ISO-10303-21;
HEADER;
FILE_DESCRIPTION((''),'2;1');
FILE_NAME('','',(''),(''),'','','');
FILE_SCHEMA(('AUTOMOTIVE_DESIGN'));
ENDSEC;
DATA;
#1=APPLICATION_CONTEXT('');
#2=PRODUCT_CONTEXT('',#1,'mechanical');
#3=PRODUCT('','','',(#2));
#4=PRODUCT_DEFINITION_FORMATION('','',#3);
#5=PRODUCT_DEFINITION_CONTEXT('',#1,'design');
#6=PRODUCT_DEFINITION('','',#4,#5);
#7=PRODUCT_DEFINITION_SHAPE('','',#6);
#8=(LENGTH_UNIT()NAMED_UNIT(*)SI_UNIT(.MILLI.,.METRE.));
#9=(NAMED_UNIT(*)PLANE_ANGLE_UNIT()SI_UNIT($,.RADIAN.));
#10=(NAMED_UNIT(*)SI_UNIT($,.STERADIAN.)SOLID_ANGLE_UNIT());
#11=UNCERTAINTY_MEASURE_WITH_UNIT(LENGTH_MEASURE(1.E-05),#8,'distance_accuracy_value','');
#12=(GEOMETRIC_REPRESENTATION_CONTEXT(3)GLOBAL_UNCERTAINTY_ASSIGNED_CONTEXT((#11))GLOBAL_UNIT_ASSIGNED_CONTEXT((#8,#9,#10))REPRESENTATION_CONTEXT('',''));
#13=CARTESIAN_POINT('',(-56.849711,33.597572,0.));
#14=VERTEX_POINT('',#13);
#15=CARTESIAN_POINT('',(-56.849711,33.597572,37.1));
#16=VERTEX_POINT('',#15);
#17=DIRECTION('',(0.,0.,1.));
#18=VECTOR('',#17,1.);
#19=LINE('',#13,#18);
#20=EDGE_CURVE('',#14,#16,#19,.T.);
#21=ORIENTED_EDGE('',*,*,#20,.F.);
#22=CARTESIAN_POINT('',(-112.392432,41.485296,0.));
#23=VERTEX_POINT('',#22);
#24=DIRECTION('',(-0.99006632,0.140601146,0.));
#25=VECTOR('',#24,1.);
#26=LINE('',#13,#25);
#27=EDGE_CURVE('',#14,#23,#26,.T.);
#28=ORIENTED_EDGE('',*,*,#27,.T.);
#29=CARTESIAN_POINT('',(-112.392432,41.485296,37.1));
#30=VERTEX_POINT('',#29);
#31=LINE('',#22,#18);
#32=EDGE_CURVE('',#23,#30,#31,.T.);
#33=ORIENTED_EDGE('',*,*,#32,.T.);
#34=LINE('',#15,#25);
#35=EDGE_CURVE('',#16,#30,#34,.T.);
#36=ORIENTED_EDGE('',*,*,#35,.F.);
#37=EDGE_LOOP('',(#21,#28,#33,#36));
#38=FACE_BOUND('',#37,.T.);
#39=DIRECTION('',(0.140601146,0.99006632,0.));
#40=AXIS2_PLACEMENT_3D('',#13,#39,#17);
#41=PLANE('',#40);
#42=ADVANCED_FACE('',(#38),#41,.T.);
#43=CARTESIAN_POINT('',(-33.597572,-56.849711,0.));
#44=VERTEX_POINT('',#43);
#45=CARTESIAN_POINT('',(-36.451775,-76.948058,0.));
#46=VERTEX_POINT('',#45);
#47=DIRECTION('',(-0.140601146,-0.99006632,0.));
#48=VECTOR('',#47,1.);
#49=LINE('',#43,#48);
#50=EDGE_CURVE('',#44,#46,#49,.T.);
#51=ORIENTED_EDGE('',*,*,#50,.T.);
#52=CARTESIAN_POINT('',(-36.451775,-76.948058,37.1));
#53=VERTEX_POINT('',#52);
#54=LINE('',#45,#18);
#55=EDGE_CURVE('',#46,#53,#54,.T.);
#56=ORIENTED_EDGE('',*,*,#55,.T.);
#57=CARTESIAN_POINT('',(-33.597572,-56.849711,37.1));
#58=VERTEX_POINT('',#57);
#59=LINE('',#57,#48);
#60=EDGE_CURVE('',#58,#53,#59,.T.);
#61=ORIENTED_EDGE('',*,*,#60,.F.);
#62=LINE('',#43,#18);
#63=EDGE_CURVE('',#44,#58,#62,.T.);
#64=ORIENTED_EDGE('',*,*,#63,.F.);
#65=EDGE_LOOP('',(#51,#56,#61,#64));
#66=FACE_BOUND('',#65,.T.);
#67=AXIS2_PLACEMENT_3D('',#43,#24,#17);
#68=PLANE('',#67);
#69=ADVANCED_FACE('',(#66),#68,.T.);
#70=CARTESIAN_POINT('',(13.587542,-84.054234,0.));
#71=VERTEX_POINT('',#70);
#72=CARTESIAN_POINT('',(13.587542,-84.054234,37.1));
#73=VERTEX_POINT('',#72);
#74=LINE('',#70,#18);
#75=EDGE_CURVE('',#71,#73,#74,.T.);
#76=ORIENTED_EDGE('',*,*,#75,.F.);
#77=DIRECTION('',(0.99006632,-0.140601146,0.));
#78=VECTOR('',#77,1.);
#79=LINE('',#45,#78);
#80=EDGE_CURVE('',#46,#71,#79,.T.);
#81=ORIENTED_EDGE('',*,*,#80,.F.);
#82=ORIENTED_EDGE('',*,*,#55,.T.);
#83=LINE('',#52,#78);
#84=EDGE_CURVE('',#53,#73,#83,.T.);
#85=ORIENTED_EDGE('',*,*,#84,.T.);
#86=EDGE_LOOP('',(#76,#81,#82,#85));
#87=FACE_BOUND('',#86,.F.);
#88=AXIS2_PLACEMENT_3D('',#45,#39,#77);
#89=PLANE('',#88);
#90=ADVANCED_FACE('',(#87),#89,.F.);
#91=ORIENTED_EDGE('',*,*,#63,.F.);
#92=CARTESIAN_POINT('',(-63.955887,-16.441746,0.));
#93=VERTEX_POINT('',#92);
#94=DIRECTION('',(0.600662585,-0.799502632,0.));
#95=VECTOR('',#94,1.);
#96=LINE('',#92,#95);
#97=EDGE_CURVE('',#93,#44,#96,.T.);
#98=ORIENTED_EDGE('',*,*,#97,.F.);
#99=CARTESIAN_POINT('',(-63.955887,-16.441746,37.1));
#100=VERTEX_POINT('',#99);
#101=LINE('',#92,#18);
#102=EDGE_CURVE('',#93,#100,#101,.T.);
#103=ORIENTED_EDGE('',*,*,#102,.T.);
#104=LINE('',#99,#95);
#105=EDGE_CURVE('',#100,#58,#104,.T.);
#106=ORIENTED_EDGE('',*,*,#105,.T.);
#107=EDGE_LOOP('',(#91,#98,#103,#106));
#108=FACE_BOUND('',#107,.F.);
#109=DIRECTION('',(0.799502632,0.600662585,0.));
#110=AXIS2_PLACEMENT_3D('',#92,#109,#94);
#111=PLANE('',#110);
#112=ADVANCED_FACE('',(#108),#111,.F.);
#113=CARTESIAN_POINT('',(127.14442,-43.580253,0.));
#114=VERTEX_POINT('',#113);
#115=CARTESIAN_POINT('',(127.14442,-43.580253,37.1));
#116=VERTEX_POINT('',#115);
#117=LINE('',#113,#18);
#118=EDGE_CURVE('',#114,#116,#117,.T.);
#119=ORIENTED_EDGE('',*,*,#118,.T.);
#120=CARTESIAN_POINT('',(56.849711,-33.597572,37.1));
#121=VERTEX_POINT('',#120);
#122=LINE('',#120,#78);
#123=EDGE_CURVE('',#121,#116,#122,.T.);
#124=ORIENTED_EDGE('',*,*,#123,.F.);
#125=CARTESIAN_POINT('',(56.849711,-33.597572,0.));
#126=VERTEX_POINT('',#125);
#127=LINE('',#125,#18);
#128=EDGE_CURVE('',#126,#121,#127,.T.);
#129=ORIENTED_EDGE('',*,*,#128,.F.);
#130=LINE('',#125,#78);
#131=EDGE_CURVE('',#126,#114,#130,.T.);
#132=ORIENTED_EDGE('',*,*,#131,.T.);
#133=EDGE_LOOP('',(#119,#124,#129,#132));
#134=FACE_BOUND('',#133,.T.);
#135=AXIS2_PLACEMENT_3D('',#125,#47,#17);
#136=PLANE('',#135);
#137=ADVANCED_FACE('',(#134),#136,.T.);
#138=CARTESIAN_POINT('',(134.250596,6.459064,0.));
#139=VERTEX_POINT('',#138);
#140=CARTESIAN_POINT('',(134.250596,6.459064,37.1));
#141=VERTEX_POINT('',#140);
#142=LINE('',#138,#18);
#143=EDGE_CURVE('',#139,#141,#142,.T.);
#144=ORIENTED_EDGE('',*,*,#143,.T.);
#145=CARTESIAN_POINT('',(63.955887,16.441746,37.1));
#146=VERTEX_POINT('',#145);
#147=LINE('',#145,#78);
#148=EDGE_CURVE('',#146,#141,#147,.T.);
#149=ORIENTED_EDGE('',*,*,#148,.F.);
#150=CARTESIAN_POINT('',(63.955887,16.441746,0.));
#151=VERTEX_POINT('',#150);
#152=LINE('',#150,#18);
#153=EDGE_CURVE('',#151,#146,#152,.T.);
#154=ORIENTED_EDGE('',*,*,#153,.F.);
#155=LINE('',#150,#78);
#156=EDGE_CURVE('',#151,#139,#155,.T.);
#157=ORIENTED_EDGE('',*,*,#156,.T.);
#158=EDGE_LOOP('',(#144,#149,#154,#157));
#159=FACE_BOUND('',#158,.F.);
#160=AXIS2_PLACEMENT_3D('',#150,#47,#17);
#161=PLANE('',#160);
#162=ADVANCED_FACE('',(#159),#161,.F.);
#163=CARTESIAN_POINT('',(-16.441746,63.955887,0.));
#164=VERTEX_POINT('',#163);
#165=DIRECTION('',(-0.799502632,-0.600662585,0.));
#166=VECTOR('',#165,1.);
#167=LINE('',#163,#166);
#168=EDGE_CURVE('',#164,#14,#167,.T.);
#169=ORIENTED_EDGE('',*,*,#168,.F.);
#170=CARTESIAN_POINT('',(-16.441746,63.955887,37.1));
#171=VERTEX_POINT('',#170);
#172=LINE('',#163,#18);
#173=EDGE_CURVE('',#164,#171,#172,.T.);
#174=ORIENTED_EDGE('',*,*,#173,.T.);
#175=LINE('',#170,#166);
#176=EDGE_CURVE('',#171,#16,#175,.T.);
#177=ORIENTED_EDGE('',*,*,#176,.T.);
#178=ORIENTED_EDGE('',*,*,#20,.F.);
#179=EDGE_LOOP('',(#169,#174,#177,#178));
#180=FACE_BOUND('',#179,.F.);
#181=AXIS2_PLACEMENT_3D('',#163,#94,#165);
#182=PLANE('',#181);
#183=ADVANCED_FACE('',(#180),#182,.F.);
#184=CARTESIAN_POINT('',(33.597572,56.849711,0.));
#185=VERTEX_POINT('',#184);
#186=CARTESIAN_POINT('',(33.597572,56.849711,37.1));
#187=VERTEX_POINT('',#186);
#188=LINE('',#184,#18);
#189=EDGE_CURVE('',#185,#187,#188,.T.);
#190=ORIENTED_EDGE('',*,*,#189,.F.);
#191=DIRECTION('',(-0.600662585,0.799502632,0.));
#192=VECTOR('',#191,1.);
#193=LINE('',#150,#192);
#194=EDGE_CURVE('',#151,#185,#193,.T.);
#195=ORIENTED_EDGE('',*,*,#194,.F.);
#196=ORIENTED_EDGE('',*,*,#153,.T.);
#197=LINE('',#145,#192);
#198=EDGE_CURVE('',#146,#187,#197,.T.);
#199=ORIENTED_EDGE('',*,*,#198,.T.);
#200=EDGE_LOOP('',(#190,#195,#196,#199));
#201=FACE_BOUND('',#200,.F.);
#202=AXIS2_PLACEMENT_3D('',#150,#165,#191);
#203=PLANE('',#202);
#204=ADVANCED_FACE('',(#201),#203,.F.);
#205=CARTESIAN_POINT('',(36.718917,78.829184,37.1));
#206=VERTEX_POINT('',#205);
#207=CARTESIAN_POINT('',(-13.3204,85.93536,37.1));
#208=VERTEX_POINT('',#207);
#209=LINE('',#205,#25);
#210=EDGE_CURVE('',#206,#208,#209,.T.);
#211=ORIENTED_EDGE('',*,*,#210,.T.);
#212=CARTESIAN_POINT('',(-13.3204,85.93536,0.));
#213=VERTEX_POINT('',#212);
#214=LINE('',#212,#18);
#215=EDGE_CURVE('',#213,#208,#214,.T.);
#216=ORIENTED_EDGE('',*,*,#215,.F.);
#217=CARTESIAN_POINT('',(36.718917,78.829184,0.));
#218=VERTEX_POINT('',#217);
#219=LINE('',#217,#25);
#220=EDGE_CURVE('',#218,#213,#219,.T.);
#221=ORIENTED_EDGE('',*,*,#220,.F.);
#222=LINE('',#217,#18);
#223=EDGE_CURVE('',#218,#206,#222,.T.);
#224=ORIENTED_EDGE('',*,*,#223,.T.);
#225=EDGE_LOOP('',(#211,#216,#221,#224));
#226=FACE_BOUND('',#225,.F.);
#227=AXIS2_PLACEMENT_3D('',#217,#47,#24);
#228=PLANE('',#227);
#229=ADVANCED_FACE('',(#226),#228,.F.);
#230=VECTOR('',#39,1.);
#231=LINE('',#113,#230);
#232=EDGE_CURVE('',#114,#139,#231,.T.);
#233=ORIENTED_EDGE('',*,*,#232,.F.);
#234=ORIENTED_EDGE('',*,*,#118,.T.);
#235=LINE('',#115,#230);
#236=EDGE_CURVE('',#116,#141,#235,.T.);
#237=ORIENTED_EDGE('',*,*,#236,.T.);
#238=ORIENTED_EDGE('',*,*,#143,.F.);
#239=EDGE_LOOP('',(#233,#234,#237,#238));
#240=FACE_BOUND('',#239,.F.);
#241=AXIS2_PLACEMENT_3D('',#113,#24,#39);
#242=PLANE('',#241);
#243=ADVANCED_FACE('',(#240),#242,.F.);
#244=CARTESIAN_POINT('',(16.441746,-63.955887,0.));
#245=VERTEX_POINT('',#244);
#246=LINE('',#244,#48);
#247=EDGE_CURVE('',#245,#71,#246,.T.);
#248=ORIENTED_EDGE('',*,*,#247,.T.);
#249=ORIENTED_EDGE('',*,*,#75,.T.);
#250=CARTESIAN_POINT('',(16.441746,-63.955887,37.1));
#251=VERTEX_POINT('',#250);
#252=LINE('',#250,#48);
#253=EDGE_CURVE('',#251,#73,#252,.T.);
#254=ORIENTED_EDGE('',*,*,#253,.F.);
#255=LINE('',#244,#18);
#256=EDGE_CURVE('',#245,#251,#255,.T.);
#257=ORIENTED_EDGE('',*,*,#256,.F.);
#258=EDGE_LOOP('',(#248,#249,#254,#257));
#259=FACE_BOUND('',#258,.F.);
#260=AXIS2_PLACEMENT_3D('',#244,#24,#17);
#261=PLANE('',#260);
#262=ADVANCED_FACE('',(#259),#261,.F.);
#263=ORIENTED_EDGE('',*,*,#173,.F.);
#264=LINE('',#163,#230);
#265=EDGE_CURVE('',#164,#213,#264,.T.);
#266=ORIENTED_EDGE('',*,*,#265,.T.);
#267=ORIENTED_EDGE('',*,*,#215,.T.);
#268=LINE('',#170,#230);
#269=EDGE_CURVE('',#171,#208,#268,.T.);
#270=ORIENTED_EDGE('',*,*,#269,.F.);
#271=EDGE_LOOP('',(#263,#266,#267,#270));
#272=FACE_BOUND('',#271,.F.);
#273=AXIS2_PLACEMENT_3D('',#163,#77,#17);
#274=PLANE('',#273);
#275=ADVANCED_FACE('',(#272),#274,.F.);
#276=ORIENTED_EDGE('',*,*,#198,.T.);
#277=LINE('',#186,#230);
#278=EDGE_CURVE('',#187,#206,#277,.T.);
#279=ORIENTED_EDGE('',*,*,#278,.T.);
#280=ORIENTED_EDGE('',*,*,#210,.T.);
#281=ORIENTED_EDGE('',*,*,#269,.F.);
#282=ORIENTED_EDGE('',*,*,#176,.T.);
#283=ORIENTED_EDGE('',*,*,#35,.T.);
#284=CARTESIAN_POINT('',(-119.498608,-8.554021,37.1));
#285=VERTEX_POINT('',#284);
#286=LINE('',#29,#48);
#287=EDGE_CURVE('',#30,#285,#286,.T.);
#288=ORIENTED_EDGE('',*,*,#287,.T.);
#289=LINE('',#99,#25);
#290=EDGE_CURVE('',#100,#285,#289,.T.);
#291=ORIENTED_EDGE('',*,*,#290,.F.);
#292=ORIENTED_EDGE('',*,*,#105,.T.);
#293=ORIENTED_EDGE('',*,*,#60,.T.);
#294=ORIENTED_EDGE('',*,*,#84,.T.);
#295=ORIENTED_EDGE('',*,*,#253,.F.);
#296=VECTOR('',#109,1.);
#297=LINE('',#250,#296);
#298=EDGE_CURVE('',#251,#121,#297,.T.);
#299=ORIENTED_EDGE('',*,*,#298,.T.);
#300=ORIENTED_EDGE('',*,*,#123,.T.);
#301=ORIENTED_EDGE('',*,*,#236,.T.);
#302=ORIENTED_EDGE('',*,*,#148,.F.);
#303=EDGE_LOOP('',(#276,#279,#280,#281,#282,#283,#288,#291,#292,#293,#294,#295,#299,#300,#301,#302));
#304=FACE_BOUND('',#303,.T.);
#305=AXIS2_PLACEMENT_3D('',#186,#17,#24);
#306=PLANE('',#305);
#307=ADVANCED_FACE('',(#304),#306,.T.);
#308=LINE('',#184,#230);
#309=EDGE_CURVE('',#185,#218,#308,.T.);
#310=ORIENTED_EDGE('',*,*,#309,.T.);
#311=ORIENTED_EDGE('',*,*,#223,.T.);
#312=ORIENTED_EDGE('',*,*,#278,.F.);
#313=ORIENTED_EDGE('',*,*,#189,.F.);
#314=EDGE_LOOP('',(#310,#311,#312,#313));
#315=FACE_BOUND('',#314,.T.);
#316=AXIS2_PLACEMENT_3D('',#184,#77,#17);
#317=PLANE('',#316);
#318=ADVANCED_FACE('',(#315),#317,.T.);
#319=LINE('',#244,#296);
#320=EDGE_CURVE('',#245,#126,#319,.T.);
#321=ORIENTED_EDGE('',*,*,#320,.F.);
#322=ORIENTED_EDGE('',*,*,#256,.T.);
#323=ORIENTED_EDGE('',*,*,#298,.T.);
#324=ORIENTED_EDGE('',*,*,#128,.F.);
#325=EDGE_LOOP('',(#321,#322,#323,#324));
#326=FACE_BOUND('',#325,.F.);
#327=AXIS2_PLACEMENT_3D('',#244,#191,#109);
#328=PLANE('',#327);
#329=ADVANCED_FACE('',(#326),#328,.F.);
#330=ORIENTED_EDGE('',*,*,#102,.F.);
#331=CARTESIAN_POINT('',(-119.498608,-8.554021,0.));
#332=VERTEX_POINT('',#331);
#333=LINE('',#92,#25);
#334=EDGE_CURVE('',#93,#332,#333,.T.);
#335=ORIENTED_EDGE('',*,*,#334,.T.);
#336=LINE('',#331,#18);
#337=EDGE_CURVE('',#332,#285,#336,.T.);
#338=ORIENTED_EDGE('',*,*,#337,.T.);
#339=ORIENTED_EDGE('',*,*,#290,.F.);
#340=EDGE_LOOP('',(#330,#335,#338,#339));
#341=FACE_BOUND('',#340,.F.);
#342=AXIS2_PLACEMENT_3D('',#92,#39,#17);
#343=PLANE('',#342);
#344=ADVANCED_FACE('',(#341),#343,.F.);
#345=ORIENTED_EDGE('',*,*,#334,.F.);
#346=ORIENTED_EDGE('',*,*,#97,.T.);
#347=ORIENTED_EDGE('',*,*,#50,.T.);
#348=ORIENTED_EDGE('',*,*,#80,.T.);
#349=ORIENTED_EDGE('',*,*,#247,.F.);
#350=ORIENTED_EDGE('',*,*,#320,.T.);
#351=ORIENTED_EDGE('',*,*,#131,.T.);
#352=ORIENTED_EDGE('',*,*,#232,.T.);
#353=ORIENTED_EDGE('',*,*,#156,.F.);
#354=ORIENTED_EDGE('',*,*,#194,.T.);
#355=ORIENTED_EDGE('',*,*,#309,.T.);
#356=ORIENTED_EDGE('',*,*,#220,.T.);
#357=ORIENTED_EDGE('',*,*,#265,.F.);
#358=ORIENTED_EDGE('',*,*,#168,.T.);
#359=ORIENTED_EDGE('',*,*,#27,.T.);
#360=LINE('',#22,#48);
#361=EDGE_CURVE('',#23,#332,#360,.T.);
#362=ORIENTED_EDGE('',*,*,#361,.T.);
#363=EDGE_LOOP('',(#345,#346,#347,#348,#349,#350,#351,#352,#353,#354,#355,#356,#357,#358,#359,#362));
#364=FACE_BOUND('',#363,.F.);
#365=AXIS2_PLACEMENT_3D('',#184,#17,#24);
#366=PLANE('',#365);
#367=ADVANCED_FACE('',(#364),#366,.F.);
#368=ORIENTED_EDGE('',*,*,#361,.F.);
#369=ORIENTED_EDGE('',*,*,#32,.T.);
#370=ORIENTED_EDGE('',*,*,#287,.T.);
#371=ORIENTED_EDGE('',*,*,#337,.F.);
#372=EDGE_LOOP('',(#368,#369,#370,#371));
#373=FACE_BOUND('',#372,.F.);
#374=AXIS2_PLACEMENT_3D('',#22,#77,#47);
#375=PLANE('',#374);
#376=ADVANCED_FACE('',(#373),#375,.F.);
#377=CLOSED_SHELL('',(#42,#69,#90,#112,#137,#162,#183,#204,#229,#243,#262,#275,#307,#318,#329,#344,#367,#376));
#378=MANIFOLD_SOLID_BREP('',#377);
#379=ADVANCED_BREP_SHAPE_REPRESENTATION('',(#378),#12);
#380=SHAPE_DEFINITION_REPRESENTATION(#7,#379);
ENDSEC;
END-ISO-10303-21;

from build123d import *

# Parameters (mm, degrees)
F1_DEPTH = 37.1
F2_DEPTH = 56.1
F3_DEPTH = 71
F4_DEPTH = 20.3
F5_DEPTH = 22.2


with BuildPart() as f1:
    # F0 (on Top) → F1 (new body)
    with BuildSketch(Plane.XY):
        Polygon((-56.8497114772, 33.5975717617), (-63.9558873182, -16.4417456699), (-33.5975717617, -56.8497114772), (16.4417456699, -63.9558873182), (56.8497114772, -33.5975717617), (63.9558873182, 16.4417456699), (33.5975717617, 56.8497114772), (-16.4417456699, 63.9558873182), align=None)
    extrude(amount=F1_DEPTH)

    # F2 (add): a face of the model
    f2_faces = [f1.faces().sort_by_distance(p)[0] for p in [
        (-60.4027993977, 8.5779130459, 18.55),
    ]]
    extrude(f2_faces, amount=F2_DEPTH)

    # F3 (add): a face of the model
    f3_faces = [f1.faces().sort_by_distance(p)[0] for p in [
        (60.4027993977, -8.5779130459, 18.55),
    ]]
    extrude(f3_faces, amount=F3_DEPTH)

    # F4 (add): a face of the model
    f4_faces = [f1.faces().sort_by_distance(p)[0] for p in [
        (-8.5779130459, -60.4027993977, 18.55),
    ]]
    extrude(f4_faces, amount=F4_DEPTH)

    # F5 (add): a face of the model
    f5_faces = [f1.faces().sort_by_distance(p)[0] for p in [
        (8.5779130459, 60.4027993977, 18.55),
    ]]
    extrude(f5_faces, amount=F5_DEPTH)


solid = f1.part
